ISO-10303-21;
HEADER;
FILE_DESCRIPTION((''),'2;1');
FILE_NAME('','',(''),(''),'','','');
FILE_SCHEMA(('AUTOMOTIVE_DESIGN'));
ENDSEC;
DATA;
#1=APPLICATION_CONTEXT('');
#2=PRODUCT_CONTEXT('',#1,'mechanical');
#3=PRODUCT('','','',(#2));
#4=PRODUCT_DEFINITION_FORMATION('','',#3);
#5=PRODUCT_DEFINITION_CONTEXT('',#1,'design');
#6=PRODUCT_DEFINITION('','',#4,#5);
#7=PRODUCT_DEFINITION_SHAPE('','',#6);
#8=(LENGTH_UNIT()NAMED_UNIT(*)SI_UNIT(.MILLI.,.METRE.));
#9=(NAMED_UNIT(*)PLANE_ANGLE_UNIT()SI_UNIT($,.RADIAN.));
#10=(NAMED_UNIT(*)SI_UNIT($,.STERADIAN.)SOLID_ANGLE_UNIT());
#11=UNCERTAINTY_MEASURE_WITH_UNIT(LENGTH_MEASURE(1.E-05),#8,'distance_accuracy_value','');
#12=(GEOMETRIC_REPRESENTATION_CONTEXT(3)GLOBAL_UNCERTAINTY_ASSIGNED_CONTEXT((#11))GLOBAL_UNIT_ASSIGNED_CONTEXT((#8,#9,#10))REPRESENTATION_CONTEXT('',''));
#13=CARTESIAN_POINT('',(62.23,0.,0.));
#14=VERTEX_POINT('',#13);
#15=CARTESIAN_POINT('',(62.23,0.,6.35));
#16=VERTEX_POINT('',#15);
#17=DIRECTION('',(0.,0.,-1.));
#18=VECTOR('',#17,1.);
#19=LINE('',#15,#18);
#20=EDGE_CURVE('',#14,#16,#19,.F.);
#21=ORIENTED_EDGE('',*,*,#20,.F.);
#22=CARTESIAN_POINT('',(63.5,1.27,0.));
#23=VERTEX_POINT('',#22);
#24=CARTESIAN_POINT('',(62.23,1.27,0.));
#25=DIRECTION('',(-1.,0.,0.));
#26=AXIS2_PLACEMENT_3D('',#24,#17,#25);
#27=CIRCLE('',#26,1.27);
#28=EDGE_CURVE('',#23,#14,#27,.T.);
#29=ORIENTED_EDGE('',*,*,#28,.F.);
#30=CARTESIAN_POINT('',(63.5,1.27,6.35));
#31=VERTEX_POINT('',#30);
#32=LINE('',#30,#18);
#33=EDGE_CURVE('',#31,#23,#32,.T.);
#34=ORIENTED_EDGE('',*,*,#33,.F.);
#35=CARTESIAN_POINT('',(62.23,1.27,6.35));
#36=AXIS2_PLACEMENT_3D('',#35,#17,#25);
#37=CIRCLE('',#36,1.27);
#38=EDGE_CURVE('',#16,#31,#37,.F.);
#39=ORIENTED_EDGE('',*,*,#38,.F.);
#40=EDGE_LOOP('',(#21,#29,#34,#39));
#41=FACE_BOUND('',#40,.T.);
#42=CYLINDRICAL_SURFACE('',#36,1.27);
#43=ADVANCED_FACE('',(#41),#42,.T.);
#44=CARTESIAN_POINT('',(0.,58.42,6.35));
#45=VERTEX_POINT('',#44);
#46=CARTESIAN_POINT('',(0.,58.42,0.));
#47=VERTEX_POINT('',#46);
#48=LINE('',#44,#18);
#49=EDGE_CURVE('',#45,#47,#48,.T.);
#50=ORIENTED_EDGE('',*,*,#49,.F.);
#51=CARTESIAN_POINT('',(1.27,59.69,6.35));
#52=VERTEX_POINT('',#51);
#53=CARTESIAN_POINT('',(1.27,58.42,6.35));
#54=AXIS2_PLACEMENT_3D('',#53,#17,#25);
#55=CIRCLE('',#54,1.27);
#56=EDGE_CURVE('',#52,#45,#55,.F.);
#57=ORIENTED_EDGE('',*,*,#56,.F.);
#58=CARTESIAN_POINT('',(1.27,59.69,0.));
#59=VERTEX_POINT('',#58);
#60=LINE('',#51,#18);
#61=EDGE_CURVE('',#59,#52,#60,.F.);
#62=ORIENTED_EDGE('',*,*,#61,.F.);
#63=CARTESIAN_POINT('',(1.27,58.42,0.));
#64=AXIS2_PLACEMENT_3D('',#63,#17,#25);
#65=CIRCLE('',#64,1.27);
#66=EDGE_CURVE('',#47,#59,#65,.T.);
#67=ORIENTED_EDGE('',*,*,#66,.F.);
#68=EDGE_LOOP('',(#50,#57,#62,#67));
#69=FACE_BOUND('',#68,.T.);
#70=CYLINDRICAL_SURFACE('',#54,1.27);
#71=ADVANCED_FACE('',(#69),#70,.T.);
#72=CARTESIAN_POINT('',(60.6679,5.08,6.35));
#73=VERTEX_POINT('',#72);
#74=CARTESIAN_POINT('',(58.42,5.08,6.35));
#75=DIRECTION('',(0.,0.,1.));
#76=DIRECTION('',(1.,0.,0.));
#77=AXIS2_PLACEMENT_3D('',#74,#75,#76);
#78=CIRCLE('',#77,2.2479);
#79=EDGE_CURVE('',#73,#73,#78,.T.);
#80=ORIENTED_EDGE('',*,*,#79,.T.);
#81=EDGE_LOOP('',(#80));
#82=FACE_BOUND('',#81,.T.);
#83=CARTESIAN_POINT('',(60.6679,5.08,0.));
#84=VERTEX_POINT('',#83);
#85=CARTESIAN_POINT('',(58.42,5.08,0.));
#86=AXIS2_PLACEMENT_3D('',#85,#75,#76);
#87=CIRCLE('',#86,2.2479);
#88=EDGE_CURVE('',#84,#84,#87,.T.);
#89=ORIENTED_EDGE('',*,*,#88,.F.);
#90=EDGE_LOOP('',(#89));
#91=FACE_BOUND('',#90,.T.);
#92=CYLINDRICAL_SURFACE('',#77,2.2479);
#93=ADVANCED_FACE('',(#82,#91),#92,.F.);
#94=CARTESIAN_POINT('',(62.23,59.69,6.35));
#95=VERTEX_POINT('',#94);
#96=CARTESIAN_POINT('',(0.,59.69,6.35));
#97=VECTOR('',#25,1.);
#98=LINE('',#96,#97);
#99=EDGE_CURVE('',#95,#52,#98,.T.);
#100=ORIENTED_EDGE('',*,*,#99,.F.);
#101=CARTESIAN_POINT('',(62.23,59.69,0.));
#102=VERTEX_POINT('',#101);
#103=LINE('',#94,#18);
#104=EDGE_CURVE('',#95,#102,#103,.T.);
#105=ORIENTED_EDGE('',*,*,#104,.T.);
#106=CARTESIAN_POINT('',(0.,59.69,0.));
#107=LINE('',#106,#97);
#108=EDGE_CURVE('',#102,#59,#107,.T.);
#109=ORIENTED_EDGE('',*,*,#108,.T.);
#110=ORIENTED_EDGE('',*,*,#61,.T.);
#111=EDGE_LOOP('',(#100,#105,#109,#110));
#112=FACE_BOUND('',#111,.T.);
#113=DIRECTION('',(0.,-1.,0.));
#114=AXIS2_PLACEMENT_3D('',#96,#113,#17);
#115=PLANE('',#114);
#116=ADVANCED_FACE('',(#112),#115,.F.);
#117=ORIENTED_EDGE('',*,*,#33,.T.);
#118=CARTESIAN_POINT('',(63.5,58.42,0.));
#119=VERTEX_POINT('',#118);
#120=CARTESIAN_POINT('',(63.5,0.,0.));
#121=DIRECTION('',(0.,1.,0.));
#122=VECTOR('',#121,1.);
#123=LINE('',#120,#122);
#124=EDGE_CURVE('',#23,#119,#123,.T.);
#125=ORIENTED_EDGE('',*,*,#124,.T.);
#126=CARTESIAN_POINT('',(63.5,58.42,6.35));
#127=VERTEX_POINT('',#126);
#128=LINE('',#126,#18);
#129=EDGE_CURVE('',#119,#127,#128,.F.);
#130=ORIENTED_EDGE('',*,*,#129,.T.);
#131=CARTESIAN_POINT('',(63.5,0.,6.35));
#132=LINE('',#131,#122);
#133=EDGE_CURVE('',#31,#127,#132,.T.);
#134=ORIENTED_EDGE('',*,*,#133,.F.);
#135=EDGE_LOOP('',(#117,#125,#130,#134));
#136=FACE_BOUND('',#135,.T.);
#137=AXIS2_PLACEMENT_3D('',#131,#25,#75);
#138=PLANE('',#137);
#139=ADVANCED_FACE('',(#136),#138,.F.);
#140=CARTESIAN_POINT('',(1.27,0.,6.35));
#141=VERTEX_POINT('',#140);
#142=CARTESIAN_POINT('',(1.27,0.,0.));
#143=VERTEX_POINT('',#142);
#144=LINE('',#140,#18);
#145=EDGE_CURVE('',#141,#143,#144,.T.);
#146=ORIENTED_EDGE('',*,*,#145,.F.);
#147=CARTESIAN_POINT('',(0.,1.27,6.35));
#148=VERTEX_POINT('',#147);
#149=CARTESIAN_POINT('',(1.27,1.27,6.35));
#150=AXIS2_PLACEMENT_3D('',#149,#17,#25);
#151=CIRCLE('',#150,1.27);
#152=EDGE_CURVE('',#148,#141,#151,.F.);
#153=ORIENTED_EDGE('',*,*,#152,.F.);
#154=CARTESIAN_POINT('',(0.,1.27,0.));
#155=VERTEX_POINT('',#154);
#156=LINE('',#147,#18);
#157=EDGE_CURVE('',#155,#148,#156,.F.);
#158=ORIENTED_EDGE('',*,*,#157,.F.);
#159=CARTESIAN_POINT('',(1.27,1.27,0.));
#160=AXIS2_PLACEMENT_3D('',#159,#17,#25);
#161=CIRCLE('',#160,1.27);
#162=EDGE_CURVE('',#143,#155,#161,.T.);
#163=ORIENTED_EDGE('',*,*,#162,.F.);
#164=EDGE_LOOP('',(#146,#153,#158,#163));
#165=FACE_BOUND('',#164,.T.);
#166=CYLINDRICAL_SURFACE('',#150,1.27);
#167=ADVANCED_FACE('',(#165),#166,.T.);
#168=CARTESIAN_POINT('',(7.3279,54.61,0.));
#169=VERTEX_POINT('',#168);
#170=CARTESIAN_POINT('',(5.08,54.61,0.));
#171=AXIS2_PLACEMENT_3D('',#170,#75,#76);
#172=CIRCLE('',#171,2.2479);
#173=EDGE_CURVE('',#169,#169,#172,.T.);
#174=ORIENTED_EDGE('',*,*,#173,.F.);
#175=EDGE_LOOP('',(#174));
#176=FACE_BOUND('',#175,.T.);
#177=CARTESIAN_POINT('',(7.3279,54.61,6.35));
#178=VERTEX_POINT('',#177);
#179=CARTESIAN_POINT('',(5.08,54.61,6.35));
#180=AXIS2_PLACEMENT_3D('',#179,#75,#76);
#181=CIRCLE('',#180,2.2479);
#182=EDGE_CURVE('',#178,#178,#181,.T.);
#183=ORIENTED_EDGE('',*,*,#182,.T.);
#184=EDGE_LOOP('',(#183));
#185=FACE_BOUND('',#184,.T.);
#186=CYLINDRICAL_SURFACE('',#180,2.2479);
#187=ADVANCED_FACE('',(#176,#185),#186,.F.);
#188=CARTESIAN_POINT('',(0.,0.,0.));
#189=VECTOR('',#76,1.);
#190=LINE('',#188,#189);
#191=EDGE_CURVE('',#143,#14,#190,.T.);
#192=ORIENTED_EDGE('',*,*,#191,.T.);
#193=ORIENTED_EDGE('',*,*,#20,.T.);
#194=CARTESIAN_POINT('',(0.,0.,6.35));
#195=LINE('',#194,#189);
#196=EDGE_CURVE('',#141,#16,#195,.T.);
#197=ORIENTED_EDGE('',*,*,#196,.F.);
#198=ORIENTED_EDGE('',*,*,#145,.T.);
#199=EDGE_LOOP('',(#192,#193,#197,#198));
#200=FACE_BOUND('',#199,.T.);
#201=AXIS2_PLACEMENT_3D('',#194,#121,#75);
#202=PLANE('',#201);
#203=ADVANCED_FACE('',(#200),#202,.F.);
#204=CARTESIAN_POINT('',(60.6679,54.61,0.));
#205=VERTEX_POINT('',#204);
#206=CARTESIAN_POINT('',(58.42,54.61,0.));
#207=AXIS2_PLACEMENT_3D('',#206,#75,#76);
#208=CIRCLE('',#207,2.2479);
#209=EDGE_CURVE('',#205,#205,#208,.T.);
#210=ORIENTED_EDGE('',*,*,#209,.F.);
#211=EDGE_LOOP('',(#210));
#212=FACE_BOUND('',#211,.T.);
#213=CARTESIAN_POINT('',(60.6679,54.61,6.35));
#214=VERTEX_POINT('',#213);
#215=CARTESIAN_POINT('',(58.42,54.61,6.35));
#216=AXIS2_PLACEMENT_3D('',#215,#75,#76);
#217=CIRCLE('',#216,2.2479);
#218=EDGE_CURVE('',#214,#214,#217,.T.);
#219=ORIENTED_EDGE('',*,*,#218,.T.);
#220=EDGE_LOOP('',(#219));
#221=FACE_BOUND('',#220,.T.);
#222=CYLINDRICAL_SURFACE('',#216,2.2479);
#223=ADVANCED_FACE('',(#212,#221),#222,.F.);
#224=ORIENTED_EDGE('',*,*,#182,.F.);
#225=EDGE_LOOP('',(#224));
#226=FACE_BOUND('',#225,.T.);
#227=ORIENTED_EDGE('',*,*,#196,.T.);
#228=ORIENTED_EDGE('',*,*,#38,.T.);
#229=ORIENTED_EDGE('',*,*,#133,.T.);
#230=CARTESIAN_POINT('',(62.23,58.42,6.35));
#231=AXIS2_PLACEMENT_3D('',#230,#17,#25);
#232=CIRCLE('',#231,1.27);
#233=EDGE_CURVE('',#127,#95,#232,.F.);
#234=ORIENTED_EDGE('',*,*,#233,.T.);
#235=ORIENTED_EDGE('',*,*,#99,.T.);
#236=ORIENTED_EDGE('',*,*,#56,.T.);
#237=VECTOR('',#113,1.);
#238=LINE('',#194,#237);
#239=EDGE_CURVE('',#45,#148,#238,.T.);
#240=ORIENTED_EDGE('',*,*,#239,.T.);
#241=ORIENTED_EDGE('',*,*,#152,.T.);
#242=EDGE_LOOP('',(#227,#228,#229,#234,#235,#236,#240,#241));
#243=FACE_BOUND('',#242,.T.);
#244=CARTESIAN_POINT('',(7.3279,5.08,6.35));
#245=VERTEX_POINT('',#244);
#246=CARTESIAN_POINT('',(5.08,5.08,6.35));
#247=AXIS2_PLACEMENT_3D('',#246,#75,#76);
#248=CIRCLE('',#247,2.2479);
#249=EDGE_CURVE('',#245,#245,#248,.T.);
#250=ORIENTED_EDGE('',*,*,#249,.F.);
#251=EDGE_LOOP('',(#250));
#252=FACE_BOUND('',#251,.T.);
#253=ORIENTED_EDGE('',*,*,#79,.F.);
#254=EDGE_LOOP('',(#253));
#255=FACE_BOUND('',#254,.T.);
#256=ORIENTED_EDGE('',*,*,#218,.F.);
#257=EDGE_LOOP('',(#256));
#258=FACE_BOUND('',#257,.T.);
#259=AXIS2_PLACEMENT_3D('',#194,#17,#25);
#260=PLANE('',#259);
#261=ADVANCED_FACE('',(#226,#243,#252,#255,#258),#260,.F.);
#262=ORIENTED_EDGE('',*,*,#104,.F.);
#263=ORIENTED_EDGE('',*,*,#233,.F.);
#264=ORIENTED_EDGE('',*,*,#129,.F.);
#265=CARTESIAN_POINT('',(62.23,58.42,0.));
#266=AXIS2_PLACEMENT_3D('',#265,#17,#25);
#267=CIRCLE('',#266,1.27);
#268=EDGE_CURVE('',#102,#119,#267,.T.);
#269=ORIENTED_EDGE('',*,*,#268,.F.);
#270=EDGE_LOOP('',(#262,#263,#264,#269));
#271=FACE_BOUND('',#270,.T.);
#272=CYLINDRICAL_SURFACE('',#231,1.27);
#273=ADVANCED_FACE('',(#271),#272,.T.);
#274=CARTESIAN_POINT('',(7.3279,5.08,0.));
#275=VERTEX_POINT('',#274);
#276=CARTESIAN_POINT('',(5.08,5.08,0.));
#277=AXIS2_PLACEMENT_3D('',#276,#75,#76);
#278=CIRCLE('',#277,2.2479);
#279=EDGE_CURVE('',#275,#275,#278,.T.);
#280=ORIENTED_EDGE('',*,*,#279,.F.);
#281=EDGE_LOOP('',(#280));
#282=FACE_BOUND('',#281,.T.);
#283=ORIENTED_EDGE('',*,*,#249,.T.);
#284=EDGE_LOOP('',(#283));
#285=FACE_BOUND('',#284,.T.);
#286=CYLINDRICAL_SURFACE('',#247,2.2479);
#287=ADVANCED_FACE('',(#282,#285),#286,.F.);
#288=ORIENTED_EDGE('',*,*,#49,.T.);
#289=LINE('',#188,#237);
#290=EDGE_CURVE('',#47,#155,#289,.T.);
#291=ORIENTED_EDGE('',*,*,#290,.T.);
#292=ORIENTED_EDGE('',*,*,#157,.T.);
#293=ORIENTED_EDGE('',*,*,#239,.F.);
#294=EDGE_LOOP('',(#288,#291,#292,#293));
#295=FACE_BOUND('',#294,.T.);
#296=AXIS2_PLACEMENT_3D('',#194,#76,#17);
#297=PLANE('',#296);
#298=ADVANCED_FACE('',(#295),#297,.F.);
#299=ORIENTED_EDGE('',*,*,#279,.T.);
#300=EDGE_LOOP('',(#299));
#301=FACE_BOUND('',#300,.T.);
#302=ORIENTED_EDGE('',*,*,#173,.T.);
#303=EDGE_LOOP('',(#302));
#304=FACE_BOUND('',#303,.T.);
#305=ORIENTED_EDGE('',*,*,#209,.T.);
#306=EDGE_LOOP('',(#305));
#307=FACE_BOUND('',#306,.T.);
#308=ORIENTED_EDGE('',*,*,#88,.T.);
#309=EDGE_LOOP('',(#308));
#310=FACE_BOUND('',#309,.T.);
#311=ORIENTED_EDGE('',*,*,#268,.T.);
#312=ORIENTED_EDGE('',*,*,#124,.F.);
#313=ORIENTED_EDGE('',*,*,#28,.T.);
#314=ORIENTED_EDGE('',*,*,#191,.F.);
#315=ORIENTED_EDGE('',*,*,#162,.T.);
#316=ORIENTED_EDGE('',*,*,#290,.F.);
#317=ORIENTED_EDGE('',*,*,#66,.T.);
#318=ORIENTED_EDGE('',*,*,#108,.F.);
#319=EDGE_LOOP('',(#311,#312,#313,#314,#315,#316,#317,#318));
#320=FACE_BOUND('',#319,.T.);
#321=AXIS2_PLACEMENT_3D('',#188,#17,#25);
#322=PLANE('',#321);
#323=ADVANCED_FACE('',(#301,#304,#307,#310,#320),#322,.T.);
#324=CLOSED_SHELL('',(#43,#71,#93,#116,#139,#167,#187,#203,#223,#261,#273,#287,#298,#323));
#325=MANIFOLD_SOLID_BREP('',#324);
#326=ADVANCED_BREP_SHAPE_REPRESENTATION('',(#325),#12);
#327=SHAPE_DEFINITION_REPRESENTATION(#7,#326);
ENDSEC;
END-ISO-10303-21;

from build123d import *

# Parameters (mm, degrees)
SKETCH1_W             = 63.5
SKETCH1_H             = 59.69
BOSS_EXTRUDE1_DEPTH   = 6.35
FILLET1_R             = 1.27
F_8_CLEARANCE_HOLE1_D = 4.4958


with BuildPart() as part:
    # Sketch1 → Boss-Extrude1 (new body)
    with BuildSketch(Plane.XY):
        with Locations((31.75, 29.845)):
            Rectangle(SKETCH1_W, SKETCH1_H)
    extrude(amount=BOSS_EXTRUDE1_DEPTH)

    # Fillet1
    fillet1_edges = [part.edges().sort_by_distance(p)[0] for p in [
        (0, 59.69, 3.175),
        (63.5, 59.69, 3.175),
        (63.5, 0, 3.175),
        (0, 0, 3.175),
    ]]
    fillet(fillet1_edges, radius=FILLET1_R)

    # #8 Clearance Hole1 (through all)
    with Locations(Plane.XY.offset(6.35)):
        with Locations((5.08, 54.61), (58.42, 54.61), (58.42, 5.08), (5.08, 5.08)):
            Hole(F_8_CLEARANCE_HOLE1_D / 2)


solid = part.part
